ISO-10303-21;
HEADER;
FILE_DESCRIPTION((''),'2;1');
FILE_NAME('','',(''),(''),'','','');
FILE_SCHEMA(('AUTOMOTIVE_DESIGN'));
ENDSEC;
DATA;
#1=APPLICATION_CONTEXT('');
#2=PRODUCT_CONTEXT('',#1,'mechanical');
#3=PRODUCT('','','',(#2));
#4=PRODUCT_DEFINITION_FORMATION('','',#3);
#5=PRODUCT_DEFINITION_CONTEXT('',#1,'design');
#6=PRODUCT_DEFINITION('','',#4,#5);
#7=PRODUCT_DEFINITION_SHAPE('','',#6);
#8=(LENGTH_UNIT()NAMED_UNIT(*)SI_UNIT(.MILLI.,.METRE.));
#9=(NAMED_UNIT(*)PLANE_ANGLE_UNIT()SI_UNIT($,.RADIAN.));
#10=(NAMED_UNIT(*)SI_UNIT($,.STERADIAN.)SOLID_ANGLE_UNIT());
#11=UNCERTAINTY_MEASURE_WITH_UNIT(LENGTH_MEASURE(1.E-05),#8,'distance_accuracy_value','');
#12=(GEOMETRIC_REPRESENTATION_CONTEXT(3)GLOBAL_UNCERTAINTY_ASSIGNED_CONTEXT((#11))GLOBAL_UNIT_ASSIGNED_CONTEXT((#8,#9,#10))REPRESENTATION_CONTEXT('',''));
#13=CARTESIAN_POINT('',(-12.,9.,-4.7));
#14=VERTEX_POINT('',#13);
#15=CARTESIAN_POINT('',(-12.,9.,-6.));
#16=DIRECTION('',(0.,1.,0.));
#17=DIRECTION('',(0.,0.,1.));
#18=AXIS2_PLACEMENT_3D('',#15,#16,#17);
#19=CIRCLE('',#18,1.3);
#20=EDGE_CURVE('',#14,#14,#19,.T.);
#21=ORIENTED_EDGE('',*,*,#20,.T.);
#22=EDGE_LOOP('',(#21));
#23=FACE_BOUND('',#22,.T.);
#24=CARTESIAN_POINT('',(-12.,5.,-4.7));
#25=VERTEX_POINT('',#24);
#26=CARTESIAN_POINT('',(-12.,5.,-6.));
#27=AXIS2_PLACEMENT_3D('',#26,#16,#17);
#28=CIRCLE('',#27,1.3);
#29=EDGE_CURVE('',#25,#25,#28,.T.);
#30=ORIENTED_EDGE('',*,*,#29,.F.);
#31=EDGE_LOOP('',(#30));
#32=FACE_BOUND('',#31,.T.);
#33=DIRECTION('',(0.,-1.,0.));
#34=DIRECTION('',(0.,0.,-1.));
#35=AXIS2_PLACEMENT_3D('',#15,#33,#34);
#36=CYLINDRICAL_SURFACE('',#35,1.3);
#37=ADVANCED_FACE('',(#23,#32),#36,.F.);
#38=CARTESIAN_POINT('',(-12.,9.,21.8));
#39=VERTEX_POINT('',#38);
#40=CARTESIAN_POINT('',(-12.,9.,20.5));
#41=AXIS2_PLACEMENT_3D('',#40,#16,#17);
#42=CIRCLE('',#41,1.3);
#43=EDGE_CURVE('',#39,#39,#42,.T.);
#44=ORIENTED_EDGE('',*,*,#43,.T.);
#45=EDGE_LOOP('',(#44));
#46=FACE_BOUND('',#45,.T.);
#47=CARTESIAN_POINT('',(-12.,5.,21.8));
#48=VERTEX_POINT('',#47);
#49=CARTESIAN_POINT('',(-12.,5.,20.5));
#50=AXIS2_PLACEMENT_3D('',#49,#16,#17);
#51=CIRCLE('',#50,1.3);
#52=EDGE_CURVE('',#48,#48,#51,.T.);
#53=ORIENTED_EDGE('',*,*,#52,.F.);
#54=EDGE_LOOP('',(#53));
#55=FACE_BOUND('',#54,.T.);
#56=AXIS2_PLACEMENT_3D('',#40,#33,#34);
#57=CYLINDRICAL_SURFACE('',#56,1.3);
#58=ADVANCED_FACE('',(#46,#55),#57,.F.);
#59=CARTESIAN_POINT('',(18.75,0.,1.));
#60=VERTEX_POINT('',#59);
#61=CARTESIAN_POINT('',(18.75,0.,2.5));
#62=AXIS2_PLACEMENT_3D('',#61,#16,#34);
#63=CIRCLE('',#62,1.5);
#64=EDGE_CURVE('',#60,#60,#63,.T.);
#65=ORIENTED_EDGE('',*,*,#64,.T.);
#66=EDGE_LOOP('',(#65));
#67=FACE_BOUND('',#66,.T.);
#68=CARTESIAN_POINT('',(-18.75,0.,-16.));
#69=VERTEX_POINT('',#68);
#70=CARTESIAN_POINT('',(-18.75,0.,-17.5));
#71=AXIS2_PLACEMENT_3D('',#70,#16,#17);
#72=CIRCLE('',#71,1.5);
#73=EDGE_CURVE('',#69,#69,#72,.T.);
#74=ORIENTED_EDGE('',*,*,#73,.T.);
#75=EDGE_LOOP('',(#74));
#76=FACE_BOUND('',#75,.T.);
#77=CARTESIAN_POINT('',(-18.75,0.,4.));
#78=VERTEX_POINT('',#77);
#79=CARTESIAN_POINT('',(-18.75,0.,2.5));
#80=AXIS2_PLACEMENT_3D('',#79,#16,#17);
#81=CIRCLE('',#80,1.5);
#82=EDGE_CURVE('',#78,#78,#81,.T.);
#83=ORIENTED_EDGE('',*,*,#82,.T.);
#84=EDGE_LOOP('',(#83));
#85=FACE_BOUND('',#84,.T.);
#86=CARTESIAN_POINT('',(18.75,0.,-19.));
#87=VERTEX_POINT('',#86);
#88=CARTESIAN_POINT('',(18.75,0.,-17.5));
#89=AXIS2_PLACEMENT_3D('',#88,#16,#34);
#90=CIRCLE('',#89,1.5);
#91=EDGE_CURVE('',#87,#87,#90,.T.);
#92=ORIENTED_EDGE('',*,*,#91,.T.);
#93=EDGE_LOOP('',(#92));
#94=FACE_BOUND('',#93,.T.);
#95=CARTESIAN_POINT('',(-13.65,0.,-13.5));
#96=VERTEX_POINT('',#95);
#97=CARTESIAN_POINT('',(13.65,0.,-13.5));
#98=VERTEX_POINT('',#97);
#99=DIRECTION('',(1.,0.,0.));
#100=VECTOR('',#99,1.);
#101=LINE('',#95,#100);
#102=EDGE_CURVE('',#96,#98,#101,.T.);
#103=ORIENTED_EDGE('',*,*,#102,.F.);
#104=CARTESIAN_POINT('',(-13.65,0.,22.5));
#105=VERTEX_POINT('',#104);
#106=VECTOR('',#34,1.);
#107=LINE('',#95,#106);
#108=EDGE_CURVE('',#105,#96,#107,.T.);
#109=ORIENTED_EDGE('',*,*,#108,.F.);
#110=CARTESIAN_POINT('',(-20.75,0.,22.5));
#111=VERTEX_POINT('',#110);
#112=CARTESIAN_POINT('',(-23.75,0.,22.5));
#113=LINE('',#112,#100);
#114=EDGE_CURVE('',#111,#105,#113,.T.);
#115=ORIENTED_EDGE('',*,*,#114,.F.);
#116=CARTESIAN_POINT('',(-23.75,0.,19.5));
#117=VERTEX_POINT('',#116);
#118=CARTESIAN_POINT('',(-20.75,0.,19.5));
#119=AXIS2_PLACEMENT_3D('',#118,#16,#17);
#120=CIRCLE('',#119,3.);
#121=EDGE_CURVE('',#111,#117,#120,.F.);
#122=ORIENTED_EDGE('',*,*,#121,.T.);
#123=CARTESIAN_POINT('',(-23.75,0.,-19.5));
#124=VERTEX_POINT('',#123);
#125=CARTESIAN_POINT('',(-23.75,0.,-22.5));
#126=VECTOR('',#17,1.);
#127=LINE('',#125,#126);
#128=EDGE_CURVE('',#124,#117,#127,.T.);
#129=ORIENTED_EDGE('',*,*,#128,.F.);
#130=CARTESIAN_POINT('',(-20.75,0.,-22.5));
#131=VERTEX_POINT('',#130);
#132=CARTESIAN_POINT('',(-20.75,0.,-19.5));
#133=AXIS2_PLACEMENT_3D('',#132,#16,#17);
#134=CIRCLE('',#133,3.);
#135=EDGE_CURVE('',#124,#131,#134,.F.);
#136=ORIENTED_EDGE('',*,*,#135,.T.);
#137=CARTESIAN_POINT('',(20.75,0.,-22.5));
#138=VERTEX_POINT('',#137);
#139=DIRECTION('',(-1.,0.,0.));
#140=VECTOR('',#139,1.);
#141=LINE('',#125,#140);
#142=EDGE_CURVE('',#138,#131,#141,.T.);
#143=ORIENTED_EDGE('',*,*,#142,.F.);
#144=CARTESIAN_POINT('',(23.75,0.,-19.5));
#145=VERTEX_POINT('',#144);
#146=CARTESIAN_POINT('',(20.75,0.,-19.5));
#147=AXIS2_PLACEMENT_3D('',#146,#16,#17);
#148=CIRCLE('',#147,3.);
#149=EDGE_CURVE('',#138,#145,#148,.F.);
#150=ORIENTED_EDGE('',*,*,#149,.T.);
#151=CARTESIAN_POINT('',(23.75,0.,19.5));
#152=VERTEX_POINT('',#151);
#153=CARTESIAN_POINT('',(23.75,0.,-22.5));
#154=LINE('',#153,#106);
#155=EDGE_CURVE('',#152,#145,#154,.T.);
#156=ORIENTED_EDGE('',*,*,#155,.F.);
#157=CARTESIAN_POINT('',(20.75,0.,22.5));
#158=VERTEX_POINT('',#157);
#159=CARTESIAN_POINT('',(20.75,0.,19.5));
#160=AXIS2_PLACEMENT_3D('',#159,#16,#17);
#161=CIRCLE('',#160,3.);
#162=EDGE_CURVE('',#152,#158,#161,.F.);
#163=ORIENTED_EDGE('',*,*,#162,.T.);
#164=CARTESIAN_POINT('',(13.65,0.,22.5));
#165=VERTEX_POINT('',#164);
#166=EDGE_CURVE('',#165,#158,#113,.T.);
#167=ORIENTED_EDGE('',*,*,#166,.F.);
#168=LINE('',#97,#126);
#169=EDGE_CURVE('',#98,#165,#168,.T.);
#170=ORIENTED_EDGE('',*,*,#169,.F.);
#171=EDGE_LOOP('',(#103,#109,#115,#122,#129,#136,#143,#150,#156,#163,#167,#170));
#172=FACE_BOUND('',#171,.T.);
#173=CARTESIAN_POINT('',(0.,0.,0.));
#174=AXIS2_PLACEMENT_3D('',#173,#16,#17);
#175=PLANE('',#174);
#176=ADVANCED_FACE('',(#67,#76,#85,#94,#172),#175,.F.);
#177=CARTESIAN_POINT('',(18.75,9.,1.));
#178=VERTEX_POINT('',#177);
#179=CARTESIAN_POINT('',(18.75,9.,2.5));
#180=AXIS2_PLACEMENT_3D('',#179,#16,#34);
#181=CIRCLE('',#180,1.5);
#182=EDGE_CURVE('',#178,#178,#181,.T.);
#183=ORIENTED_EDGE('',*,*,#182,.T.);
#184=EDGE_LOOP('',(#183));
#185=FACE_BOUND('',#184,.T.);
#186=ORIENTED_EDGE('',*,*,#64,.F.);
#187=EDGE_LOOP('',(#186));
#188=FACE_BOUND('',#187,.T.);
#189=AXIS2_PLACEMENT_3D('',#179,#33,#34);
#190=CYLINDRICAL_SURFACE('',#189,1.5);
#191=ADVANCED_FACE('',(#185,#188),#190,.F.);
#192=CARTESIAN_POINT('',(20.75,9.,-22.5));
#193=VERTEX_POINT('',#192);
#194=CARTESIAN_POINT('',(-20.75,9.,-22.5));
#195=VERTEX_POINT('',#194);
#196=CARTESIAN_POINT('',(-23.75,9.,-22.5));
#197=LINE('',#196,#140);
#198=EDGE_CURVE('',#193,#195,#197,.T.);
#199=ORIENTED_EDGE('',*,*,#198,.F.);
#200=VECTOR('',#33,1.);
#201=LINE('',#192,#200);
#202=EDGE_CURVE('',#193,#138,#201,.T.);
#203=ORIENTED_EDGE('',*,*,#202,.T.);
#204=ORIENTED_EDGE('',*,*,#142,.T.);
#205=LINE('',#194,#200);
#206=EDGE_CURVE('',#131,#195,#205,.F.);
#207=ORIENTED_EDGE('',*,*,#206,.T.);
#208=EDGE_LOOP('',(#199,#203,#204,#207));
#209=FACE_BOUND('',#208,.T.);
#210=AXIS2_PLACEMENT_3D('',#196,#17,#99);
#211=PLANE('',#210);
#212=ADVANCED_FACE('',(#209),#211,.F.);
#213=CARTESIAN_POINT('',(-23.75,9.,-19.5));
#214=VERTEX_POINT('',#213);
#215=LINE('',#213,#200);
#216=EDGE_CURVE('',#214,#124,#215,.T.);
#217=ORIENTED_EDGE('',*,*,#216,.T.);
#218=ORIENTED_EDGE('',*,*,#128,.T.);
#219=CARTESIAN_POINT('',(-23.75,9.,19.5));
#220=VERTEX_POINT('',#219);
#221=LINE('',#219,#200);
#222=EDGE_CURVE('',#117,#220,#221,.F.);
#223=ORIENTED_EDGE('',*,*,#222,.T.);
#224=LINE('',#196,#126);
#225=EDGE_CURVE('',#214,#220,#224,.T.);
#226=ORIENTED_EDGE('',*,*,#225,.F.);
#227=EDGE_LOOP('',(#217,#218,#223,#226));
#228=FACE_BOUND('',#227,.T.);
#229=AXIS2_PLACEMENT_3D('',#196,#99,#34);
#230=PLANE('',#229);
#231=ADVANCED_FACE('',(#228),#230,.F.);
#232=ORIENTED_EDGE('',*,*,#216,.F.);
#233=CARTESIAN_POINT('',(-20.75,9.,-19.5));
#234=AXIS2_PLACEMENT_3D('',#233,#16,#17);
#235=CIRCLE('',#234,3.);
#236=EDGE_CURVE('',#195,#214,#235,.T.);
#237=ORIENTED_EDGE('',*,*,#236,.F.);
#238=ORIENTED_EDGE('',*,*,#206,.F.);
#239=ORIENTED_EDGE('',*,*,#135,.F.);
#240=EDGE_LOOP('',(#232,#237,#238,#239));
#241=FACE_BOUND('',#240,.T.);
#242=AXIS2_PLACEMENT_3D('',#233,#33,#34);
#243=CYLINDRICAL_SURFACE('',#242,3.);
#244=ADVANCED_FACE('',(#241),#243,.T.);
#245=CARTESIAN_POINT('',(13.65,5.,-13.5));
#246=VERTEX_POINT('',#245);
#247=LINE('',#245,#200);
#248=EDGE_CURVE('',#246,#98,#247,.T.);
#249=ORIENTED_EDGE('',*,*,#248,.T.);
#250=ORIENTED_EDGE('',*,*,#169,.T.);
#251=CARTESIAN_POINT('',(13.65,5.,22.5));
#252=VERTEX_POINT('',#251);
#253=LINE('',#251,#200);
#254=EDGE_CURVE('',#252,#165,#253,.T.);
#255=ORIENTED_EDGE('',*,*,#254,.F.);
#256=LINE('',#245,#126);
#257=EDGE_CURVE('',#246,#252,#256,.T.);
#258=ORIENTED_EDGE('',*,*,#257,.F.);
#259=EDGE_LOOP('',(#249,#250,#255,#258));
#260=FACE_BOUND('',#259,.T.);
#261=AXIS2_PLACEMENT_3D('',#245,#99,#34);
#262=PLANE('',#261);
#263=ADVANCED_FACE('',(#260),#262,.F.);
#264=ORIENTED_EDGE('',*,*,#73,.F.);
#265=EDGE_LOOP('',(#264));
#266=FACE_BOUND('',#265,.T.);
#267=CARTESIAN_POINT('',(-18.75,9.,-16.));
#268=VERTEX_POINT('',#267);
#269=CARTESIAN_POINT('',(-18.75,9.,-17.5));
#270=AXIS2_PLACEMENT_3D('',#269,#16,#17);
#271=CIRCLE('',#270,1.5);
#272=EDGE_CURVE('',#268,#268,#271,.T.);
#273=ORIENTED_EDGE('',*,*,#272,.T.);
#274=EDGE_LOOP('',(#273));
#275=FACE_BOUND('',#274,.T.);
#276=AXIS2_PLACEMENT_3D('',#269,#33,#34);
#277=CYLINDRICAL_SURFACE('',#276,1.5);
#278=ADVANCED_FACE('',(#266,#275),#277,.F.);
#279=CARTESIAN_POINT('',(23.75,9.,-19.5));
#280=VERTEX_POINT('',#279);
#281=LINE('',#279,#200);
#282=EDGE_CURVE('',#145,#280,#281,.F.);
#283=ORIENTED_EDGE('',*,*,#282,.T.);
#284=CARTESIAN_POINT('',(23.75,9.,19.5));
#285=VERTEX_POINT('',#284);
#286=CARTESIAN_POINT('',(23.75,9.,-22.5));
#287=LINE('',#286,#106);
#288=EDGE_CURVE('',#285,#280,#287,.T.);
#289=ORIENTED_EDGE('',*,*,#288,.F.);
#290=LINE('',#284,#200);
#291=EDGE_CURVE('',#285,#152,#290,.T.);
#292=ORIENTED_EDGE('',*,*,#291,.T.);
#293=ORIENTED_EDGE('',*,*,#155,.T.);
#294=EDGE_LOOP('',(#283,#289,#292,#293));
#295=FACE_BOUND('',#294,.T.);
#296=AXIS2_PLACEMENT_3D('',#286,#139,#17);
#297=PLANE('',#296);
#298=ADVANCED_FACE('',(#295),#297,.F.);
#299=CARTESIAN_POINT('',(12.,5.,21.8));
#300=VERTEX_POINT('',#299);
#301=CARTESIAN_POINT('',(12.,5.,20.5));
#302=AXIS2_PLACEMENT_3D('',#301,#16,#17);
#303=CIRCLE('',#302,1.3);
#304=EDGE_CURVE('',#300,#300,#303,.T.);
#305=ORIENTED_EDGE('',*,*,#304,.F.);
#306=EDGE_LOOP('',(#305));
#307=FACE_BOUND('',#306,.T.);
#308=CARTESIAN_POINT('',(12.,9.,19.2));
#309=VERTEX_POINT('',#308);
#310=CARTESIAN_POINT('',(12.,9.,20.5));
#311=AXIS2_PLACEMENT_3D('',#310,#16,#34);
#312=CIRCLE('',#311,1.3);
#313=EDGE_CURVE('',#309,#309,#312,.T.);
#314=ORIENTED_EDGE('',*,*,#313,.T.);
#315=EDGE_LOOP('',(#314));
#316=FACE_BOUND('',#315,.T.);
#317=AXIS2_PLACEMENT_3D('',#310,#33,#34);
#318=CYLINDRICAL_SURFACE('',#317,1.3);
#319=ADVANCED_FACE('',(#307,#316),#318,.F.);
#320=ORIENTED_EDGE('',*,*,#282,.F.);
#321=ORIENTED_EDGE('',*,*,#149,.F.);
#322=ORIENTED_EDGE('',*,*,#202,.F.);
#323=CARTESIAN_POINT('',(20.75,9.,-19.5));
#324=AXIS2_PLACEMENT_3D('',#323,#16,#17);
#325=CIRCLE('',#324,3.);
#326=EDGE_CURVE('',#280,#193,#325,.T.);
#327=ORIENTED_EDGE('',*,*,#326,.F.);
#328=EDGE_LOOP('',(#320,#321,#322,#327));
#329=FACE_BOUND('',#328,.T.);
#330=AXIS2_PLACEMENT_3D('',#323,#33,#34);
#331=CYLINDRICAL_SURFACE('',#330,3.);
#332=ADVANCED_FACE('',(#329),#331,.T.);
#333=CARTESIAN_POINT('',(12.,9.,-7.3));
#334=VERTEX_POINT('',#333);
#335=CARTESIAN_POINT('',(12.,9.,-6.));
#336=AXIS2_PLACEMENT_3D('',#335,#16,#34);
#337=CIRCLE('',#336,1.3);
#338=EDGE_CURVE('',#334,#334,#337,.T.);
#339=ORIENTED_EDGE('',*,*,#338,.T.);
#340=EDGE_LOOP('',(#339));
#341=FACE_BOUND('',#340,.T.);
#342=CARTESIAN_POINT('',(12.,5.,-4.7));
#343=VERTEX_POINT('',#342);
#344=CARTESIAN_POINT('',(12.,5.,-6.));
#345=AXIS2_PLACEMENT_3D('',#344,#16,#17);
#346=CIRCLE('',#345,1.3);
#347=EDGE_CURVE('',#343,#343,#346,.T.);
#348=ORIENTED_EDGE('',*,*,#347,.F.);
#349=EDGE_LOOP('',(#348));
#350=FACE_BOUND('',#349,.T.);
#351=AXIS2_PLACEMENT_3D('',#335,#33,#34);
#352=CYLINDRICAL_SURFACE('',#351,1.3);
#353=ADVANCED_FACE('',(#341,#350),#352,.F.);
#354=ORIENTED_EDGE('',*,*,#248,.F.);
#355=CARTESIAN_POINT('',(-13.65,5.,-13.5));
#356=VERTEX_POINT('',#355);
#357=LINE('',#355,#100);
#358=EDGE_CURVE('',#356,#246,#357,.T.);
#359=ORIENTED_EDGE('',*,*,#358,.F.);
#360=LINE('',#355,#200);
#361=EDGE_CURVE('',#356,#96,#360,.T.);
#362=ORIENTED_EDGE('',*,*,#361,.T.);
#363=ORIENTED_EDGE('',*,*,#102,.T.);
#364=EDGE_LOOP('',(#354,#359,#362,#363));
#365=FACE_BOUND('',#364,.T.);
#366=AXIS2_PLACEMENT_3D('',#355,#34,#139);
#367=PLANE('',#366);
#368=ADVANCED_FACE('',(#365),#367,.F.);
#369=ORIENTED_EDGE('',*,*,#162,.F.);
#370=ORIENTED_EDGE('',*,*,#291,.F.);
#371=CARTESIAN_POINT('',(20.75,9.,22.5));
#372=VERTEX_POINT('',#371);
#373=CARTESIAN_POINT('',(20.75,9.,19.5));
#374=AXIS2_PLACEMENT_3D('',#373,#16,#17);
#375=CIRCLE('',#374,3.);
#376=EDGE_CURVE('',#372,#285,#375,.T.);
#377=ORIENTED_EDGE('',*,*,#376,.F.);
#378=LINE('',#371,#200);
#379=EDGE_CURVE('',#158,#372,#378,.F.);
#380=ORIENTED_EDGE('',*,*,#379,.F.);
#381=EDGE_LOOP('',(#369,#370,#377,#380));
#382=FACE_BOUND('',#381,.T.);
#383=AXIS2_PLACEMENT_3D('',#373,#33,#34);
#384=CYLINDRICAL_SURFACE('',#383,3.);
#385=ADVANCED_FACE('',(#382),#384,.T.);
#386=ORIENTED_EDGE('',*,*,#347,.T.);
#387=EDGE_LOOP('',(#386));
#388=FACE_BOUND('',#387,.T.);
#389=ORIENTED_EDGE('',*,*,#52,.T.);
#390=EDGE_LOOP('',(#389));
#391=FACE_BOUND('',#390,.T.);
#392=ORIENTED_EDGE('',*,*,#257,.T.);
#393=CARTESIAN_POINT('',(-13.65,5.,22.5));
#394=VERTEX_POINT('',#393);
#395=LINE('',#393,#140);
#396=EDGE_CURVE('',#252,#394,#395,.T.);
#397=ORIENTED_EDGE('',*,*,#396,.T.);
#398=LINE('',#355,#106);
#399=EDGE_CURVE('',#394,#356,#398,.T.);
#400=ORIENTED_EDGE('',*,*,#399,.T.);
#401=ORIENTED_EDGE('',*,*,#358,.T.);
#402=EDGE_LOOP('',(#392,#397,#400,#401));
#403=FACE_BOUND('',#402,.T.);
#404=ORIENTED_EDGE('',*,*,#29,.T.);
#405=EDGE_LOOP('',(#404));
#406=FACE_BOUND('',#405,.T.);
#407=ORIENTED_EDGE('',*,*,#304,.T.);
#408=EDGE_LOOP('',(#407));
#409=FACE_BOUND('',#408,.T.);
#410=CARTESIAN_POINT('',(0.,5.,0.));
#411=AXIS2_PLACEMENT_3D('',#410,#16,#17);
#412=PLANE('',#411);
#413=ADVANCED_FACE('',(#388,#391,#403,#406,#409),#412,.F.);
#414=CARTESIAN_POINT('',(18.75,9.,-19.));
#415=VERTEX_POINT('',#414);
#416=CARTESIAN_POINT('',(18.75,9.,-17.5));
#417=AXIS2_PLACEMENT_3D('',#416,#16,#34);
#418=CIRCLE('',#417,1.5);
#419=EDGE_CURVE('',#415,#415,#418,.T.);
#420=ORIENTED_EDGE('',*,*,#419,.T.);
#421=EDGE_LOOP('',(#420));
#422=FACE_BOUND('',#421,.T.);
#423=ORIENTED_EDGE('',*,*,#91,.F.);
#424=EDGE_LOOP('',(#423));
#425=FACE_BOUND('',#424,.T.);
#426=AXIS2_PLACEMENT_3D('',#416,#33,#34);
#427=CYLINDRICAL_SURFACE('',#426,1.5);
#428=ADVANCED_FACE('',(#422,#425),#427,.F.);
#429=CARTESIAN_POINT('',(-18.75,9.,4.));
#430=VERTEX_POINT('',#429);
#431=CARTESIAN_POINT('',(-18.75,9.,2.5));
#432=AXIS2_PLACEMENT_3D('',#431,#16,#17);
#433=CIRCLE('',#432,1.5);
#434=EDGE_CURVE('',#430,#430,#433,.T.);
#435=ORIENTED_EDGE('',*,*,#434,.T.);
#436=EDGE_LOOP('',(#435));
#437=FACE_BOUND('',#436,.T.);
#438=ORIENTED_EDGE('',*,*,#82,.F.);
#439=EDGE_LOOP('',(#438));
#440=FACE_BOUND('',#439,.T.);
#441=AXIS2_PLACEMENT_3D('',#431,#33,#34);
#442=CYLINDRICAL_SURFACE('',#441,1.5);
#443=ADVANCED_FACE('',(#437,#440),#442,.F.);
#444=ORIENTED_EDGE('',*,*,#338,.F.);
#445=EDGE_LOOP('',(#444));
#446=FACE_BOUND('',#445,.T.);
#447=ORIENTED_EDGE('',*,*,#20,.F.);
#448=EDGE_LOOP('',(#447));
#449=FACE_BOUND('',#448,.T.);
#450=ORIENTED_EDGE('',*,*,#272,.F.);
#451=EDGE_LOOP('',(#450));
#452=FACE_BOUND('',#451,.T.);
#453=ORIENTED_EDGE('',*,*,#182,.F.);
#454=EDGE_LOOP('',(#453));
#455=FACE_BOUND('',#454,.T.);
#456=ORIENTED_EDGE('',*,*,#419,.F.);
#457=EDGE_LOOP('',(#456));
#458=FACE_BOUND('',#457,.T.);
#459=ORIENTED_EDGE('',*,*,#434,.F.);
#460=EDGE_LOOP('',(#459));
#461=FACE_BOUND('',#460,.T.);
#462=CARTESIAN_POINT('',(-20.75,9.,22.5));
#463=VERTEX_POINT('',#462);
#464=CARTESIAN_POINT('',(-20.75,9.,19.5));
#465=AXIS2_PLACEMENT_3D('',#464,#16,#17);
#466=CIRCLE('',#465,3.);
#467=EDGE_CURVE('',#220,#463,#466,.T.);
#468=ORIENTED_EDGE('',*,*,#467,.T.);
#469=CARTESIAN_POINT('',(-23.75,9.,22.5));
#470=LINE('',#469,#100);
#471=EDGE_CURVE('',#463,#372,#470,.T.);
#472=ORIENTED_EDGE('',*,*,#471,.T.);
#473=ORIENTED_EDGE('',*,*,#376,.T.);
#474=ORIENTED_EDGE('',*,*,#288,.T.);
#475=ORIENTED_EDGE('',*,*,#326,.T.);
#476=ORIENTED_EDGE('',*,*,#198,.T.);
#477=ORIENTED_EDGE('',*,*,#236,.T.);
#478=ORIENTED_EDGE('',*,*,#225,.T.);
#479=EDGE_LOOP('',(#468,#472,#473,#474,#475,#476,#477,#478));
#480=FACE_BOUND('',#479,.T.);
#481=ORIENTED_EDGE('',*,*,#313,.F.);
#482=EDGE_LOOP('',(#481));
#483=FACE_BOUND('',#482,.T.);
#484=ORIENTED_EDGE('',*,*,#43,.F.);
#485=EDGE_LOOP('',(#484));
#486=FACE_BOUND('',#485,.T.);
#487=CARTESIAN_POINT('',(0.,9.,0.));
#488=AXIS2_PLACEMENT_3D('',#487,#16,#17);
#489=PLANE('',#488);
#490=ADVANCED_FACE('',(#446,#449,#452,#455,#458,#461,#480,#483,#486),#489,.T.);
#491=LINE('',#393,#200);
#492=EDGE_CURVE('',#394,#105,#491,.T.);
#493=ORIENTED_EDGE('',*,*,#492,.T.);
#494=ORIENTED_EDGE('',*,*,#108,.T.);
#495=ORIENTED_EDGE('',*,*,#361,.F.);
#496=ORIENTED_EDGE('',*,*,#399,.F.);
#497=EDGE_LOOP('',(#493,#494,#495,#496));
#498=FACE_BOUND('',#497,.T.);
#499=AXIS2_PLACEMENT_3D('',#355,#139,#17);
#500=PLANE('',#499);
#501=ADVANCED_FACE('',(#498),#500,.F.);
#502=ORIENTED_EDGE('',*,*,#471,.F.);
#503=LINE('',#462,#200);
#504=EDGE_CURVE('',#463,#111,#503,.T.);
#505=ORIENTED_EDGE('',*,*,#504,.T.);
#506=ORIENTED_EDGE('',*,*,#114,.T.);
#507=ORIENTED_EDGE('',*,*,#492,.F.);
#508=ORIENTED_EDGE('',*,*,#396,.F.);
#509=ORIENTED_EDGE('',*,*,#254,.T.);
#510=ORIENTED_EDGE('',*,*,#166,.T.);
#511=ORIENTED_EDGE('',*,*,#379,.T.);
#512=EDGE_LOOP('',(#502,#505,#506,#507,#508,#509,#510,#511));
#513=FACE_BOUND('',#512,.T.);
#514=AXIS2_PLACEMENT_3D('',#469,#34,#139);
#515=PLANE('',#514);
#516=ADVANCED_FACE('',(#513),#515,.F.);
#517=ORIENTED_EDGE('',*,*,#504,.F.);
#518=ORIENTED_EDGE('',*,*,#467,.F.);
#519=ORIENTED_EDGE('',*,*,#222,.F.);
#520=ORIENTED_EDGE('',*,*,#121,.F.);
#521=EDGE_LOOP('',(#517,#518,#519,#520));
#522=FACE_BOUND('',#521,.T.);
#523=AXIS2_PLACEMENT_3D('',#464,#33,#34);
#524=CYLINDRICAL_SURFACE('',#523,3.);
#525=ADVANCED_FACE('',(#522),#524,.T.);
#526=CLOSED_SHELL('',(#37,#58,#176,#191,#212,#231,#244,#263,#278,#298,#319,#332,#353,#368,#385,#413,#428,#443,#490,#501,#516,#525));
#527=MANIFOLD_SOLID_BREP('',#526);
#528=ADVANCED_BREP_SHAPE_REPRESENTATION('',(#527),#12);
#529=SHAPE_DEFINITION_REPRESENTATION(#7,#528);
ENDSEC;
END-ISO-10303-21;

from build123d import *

# Parameters (mm, degrees)
SKETCH_1_W          = 47.5
SKETCH_1_H          = 45
SKETCH_1_R          = 1.5
SKETCH_1_R_2        = 1.3
EXTRUDE_1_DEPTH     = 9
SKETCH_2_W          = 27.3
SKETCH_2_H          = 36
CUT_EXTRUDE_1_DEPTH = 5
FILLET_1_R          = 3


with BuildPart() as part:
    # 草图1 → 凸台-拉伸1 (new body)
    with BuildSketch(Plane(origin=(0, 0, 0), x_dir=(1, 0, 0), z_dir=(0, 1, 0))):
        Rectangle(SKETCH_1_W, SKETCH_1_H)
        with Locations(Location((-18.75, 17.5, 0), (0, 0, 270))):
            Circle(SKETCH_1_R, mode=Mode.SUBTRACT)
        with Locations(Location((-18.75, -2.5, 0), (0, 0, 270))):
            Circle(SKETCH_1_R, mode=Mode.SUBTRACT)
        with Locations(Location((18.75, -2.5, 0), (0, 0, 90))):
            Circle(SKETCH_1_R, mode=Mode.SUBTRACT)
        with Locations(Location((18.75, 17.5, 0), (0, 0, 90))):
            Circle(SKETCH_1_R, mode=Mode.SUBTRACT)
        with Locations(Location((-12, -20.5, 0), (0, 0, 270))):
            Circle(SKETCH_1_R_2, mode=Mode.SUBTRACT)
        with Locations(Location((-12, 6, 0), (0, 0, 270))):
            Circle(SKETCH_1_R_2, mode=Mode.SUBTRACT)
        with Locations(Location((12, 6, 0), (0, 0, 90))):
            Circle(SKETCH_1_R_2, mode=Mode.SUBTRACT)
        with Locations(Location((12, -20.5, 0), (0, 0, 90))):
            Circle(SKETCH_1_R_2, mode=Mode.SUBTRACT)
    extrude(amount=EXTRUDE_1_DEPTH)

    # 草图2 → 切除-拉伸1 (cut)
    with BuildSketch(Plane.XZ):
        with Locations((0, 4.5)):
            Rectangle(SKETCH_2_W, SKETCH_2_H)
    extrude(amount=-CUT_EXTRUDE_1_DEPTH, mode=Mode.SUBTRACT)

    # 圆角1
    fillet_1_edges = [part.edges().sort_by_distance(p)[0] for p in [
        (23.75, 4.5, 22.5),
        (-23.75, 4.5, 22.5),
        (-23.75, 4.5, -22.5),
        (23.75, 4.5, -22.5),
    ]]
    fillet(fillet_1_edges, radius=FILLET_1_R)


solid = part.part
